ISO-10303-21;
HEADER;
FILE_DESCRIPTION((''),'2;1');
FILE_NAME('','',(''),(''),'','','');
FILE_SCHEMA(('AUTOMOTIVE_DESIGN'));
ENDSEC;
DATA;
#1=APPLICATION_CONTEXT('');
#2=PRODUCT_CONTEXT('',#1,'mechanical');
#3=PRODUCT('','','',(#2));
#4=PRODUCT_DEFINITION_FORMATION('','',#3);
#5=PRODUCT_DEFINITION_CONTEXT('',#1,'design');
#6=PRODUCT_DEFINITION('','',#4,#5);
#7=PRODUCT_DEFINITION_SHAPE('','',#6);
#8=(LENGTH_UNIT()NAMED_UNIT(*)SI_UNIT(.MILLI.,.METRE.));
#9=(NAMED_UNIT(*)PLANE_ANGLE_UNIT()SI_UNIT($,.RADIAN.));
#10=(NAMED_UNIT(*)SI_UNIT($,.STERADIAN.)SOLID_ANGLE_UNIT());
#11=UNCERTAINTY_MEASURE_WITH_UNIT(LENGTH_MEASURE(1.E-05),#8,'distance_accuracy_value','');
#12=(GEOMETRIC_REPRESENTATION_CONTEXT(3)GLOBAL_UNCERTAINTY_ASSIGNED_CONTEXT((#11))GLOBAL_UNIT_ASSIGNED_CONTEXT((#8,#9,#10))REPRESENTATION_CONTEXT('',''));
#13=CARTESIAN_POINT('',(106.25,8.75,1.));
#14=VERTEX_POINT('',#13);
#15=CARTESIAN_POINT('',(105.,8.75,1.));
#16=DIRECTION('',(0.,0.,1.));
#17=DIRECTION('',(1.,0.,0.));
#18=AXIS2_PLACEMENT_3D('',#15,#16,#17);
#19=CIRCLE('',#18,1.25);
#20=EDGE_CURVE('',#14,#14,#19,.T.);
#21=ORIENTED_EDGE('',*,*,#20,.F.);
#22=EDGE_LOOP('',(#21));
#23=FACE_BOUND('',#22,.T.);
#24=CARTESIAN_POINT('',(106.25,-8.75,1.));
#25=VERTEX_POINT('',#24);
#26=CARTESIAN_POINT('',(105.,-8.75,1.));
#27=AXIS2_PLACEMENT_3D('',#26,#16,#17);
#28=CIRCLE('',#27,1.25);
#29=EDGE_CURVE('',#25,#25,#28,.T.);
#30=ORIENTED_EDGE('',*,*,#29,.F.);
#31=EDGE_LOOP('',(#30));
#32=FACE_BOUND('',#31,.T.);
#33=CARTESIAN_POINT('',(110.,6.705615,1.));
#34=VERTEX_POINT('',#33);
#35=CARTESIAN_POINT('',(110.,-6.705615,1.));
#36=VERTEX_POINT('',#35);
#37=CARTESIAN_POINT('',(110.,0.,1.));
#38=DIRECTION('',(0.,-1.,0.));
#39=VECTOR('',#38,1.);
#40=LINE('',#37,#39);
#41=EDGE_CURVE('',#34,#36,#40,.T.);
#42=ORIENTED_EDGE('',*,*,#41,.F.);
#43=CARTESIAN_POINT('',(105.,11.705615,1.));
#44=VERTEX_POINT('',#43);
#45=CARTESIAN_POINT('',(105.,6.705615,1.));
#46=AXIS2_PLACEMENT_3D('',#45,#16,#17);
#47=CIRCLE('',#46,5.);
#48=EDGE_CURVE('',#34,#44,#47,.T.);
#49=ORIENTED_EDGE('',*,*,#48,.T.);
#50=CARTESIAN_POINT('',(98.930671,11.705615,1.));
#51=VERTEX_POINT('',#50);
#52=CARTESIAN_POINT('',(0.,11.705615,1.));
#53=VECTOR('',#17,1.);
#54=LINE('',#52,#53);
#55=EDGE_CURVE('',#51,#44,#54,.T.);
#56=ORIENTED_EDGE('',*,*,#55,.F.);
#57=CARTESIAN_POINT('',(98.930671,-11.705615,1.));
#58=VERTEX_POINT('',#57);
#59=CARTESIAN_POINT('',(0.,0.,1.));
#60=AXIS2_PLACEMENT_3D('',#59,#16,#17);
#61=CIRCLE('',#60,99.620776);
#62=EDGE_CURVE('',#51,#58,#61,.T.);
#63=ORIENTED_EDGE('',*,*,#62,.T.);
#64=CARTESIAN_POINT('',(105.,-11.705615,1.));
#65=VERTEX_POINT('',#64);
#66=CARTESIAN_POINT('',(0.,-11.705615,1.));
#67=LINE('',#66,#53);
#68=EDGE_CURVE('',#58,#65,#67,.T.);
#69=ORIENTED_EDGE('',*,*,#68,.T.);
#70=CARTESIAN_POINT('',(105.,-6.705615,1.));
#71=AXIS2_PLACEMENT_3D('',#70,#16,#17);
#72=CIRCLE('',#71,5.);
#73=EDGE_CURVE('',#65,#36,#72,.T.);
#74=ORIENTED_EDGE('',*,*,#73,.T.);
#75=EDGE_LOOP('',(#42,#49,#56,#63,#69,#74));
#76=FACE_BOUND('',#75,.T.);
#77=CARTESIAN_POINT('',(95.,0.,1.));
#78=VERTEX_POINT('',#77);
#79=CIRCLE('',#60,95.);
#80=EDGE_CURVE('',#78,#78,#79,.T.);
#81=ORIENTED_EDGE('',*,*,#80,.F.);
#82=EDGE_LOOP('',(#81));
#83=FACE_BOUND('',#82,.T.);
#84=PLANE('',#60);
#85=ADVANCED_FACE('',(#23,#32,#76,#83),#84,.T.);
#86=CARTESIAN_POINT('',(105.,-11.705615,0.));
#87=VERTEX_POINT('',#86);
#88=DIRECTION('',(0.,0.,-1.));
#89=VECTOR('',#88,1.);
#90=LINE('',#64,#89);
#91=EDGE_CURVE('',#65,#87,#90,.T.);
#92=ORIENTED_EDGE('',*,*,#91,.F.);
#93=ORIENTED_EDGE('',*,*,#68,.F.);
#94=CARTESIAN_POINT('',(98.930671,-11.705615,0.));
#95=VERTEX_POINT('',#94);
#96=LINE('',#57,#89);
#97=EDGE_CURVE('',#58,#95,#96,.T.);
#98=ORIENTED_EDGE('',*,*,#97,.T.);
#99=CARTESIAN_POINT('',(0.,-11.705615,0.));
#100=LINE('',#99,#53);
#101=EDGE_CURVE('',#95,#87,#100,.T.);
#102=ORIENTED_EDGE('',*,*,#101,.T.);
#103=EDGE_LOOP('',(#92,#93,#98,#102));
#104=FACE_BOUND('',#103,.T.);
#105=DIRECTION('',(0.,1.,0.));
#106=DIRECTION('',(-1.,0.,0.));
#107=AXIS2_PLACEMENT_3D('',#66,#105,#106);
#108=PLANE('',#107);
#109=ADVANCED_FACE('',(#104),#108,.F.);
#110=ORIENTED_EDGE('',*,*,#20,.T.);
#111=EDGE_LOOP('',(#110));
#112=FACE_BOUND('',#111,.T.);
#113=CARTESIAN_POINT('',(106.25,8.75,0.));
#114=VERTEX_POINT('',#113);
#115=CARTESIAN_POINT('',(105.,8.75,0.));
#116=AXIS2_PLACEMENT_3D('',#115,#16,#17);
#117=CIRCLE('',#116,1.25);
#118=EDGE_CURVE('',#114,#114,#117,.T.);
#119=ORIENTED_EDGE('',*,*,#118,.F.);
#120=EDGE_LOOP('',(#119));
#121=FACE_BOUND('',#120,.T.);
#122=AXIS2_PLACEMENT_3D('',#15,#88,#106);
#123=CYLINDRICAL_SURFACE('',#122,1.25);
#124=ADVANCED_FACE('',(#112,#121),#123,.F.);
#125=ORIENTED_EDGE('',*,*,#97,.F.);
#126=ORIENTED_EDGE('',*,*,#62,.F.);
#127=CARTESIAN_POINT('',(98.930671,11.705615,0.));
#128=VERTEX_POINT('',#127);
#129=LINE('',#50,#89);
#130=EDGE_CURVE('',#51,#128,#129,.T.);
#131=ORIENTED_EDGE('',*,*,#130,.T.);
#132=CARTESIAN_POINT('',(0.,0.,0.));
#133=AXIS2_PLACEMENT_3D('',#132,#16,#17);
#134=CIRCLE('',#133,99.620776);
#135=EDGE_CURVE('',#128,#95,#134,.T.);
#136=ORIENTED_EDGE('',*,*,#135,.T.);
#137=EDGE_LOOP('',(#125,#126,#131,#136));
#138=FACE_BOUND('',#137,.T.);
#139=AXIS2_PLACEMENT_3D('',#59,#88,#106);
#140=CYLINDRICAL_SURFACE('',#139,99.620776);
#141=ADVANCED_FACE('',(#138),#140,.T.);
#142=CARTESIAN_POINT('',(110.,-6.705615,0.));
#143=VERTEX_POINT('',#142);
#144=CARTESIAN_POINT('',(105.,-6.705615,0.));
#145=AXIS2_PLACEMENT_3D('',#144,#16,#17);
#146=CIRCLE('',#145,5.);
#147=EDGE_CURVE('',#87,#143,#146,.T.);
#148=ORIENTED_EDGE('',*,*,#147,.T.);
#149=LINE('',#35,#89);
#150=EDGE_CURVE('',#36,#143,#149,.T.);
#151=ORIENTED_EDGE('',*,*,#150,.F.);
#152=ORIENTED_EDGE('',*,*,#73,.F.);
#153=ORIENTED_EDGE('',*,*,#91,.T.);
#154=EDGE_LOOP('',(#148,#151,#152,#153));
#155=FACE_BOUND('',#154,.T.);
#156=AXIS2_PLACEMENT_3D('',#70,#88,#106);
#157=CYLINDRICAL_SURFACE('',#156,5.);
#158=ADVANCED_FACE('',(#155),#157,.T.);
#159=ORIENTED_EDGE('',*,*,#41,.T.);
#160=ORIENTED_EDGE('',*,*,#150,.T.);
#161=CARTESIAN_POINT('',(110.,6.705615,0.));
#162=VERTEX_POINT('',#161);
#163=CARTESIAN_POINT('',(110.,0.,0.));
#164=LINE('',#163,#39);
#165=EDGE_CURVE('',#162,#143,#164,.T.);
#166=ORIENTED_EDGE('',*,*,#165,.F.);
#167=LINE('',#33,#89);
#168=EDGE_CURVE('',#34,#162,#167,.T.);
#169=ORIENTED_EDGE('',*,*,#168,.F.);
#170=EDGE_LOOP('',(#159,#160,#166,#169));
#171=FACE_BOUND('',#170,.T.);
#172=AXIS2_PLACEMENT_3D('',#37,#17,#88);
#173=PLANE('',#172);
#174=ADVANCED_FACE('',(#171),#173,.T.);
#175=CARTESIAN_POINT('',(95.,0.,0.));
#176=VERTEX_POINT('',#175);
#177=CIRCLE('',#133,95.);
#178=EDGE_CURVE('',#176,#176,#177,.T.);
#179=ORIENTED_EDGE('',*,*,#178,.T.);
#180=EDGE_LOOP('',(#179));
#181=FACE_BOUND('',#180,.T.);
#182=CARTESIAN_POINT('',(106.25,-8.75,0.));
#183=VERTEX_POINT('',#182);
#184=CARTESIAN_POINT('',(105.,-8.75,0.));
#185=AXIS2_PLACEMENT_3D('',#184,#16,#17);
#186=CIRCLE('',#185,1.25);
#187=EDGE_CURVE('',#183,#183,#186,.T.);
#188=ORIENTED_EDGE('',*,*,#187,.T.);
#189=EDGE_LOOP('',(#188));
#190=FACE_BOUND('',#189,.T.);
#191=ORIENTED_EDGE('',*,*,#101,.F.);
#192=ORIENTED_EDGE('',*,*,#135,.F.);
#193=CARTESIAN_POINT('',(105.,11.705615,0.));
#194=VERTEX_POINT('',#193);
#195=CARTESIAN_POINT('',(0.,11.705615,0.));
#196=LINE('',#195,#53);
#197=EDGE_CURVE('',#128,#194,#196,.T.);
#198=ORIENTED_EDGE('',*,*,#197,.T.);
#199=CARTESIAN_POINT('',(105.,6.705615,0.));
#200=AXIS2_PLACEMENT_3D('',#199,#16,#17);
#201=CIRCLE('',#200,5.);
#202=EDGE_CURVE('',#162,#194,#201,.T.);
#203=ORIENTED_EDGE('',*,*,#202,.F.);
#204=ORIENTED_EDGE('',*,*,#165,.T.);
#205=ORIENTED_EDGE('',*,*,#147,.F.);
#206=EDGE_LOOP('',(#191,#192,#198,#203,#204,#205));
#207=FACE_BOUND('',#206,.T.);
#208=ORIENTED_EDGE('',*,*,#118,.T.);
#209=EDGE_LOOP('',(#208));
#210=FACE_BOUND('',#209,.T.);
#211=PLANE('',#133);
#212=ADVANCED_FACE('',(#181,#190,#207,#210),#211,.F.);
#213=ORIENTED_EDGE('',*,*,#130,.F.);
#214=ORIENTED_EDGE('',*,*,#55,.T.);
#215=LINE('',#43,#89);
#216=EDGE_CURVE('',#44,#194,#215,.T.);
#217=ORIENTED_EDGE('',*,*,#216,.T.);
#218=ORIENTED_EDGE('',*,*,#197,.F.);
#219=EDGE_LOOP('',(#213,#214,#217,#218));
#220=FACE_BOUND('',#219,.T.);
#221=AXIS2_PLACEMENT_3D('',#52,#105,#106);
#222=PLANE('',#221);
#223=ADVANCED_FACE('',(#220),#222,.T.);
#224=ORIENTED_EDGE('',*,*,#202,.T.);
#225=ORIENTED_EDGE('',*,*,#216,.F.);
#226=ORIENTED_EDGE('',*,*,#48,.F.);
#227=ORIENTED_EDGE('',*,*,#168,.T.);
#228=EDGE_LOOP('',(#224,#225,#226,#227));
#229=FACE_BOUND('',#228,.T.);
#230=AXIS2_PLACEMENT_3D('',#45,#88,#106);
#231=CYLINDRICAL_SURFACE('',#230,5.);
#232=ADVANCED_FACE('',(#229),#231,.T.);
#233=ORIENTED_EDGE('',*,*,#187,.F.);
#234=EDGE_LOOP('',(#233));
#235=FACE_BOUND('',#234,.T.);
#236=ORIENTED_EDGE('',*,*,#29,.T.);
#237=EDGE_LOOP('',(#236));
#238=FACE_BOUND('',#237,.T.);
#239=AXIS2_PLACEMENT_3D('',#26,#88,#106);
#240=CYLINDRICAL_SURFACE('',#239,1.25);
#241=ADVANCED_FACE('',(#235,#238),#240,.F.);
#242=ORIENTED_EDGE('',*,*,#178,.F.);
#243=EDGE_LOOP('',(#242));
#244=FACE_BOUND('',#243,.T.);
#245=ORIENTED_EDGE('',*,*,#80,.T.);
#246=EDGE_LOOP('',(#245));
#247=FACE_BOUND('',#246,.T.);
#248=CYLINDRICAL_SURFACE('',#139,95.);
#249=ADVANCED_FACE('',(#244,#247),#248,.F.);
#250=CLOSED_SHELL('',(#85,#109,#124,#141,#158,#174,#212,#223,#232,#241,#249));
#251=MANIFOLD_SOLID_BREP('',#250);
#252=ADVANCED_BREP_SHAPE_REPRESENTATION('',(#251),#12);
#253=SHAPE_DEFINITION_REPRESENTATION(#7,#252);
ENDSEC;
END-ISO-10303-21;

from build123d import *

# Parameters (mm, degrees)
SKETCH1_R           = 1.25
SKETCH1_R_2         = 95
BOSS_EXTRUDE1_DEPTH = 1


with BuildPart() as part:
    # Sketch1 → Boss-Extrude1 (new body)
    with BuildSketch(Plane.XY):
        with BuildLine():
            Line((105, 11.705615426), (98.930670885, 11.705615426))
            ThreePointArc((98.930670885, 11.705615426), (-99.620776318, 0), (98.930670885, -11.705615426))
            Line((98.930670885, -11.705615426), (105, -11.705615426))
            ThreePointArc((105, -11.705615426), (108.535533906, -10.241149332), (110, -6.705615426))
            Line((110, -6.705615426), (110, 6.705615426))
            ThreePointArc((110, 6.705615426), (108.535533906, 10.241149332), (105, 11.705615426))
        make_face()
        with Locations((105, -8.75)):
            Circle(SKETCH1_R, mode=Mode.SUBTRACT)
        with Locations((105, 8.75)):
            Circle(SKETCH1_R, mode=Mode.SUBTRACT)
        Circle(SKETCH1_R_2, mode=Mode.SUBTRACT)
    extrude(amount=BOSS_EXTRUDE1_DEPTH)


solid = part.part
